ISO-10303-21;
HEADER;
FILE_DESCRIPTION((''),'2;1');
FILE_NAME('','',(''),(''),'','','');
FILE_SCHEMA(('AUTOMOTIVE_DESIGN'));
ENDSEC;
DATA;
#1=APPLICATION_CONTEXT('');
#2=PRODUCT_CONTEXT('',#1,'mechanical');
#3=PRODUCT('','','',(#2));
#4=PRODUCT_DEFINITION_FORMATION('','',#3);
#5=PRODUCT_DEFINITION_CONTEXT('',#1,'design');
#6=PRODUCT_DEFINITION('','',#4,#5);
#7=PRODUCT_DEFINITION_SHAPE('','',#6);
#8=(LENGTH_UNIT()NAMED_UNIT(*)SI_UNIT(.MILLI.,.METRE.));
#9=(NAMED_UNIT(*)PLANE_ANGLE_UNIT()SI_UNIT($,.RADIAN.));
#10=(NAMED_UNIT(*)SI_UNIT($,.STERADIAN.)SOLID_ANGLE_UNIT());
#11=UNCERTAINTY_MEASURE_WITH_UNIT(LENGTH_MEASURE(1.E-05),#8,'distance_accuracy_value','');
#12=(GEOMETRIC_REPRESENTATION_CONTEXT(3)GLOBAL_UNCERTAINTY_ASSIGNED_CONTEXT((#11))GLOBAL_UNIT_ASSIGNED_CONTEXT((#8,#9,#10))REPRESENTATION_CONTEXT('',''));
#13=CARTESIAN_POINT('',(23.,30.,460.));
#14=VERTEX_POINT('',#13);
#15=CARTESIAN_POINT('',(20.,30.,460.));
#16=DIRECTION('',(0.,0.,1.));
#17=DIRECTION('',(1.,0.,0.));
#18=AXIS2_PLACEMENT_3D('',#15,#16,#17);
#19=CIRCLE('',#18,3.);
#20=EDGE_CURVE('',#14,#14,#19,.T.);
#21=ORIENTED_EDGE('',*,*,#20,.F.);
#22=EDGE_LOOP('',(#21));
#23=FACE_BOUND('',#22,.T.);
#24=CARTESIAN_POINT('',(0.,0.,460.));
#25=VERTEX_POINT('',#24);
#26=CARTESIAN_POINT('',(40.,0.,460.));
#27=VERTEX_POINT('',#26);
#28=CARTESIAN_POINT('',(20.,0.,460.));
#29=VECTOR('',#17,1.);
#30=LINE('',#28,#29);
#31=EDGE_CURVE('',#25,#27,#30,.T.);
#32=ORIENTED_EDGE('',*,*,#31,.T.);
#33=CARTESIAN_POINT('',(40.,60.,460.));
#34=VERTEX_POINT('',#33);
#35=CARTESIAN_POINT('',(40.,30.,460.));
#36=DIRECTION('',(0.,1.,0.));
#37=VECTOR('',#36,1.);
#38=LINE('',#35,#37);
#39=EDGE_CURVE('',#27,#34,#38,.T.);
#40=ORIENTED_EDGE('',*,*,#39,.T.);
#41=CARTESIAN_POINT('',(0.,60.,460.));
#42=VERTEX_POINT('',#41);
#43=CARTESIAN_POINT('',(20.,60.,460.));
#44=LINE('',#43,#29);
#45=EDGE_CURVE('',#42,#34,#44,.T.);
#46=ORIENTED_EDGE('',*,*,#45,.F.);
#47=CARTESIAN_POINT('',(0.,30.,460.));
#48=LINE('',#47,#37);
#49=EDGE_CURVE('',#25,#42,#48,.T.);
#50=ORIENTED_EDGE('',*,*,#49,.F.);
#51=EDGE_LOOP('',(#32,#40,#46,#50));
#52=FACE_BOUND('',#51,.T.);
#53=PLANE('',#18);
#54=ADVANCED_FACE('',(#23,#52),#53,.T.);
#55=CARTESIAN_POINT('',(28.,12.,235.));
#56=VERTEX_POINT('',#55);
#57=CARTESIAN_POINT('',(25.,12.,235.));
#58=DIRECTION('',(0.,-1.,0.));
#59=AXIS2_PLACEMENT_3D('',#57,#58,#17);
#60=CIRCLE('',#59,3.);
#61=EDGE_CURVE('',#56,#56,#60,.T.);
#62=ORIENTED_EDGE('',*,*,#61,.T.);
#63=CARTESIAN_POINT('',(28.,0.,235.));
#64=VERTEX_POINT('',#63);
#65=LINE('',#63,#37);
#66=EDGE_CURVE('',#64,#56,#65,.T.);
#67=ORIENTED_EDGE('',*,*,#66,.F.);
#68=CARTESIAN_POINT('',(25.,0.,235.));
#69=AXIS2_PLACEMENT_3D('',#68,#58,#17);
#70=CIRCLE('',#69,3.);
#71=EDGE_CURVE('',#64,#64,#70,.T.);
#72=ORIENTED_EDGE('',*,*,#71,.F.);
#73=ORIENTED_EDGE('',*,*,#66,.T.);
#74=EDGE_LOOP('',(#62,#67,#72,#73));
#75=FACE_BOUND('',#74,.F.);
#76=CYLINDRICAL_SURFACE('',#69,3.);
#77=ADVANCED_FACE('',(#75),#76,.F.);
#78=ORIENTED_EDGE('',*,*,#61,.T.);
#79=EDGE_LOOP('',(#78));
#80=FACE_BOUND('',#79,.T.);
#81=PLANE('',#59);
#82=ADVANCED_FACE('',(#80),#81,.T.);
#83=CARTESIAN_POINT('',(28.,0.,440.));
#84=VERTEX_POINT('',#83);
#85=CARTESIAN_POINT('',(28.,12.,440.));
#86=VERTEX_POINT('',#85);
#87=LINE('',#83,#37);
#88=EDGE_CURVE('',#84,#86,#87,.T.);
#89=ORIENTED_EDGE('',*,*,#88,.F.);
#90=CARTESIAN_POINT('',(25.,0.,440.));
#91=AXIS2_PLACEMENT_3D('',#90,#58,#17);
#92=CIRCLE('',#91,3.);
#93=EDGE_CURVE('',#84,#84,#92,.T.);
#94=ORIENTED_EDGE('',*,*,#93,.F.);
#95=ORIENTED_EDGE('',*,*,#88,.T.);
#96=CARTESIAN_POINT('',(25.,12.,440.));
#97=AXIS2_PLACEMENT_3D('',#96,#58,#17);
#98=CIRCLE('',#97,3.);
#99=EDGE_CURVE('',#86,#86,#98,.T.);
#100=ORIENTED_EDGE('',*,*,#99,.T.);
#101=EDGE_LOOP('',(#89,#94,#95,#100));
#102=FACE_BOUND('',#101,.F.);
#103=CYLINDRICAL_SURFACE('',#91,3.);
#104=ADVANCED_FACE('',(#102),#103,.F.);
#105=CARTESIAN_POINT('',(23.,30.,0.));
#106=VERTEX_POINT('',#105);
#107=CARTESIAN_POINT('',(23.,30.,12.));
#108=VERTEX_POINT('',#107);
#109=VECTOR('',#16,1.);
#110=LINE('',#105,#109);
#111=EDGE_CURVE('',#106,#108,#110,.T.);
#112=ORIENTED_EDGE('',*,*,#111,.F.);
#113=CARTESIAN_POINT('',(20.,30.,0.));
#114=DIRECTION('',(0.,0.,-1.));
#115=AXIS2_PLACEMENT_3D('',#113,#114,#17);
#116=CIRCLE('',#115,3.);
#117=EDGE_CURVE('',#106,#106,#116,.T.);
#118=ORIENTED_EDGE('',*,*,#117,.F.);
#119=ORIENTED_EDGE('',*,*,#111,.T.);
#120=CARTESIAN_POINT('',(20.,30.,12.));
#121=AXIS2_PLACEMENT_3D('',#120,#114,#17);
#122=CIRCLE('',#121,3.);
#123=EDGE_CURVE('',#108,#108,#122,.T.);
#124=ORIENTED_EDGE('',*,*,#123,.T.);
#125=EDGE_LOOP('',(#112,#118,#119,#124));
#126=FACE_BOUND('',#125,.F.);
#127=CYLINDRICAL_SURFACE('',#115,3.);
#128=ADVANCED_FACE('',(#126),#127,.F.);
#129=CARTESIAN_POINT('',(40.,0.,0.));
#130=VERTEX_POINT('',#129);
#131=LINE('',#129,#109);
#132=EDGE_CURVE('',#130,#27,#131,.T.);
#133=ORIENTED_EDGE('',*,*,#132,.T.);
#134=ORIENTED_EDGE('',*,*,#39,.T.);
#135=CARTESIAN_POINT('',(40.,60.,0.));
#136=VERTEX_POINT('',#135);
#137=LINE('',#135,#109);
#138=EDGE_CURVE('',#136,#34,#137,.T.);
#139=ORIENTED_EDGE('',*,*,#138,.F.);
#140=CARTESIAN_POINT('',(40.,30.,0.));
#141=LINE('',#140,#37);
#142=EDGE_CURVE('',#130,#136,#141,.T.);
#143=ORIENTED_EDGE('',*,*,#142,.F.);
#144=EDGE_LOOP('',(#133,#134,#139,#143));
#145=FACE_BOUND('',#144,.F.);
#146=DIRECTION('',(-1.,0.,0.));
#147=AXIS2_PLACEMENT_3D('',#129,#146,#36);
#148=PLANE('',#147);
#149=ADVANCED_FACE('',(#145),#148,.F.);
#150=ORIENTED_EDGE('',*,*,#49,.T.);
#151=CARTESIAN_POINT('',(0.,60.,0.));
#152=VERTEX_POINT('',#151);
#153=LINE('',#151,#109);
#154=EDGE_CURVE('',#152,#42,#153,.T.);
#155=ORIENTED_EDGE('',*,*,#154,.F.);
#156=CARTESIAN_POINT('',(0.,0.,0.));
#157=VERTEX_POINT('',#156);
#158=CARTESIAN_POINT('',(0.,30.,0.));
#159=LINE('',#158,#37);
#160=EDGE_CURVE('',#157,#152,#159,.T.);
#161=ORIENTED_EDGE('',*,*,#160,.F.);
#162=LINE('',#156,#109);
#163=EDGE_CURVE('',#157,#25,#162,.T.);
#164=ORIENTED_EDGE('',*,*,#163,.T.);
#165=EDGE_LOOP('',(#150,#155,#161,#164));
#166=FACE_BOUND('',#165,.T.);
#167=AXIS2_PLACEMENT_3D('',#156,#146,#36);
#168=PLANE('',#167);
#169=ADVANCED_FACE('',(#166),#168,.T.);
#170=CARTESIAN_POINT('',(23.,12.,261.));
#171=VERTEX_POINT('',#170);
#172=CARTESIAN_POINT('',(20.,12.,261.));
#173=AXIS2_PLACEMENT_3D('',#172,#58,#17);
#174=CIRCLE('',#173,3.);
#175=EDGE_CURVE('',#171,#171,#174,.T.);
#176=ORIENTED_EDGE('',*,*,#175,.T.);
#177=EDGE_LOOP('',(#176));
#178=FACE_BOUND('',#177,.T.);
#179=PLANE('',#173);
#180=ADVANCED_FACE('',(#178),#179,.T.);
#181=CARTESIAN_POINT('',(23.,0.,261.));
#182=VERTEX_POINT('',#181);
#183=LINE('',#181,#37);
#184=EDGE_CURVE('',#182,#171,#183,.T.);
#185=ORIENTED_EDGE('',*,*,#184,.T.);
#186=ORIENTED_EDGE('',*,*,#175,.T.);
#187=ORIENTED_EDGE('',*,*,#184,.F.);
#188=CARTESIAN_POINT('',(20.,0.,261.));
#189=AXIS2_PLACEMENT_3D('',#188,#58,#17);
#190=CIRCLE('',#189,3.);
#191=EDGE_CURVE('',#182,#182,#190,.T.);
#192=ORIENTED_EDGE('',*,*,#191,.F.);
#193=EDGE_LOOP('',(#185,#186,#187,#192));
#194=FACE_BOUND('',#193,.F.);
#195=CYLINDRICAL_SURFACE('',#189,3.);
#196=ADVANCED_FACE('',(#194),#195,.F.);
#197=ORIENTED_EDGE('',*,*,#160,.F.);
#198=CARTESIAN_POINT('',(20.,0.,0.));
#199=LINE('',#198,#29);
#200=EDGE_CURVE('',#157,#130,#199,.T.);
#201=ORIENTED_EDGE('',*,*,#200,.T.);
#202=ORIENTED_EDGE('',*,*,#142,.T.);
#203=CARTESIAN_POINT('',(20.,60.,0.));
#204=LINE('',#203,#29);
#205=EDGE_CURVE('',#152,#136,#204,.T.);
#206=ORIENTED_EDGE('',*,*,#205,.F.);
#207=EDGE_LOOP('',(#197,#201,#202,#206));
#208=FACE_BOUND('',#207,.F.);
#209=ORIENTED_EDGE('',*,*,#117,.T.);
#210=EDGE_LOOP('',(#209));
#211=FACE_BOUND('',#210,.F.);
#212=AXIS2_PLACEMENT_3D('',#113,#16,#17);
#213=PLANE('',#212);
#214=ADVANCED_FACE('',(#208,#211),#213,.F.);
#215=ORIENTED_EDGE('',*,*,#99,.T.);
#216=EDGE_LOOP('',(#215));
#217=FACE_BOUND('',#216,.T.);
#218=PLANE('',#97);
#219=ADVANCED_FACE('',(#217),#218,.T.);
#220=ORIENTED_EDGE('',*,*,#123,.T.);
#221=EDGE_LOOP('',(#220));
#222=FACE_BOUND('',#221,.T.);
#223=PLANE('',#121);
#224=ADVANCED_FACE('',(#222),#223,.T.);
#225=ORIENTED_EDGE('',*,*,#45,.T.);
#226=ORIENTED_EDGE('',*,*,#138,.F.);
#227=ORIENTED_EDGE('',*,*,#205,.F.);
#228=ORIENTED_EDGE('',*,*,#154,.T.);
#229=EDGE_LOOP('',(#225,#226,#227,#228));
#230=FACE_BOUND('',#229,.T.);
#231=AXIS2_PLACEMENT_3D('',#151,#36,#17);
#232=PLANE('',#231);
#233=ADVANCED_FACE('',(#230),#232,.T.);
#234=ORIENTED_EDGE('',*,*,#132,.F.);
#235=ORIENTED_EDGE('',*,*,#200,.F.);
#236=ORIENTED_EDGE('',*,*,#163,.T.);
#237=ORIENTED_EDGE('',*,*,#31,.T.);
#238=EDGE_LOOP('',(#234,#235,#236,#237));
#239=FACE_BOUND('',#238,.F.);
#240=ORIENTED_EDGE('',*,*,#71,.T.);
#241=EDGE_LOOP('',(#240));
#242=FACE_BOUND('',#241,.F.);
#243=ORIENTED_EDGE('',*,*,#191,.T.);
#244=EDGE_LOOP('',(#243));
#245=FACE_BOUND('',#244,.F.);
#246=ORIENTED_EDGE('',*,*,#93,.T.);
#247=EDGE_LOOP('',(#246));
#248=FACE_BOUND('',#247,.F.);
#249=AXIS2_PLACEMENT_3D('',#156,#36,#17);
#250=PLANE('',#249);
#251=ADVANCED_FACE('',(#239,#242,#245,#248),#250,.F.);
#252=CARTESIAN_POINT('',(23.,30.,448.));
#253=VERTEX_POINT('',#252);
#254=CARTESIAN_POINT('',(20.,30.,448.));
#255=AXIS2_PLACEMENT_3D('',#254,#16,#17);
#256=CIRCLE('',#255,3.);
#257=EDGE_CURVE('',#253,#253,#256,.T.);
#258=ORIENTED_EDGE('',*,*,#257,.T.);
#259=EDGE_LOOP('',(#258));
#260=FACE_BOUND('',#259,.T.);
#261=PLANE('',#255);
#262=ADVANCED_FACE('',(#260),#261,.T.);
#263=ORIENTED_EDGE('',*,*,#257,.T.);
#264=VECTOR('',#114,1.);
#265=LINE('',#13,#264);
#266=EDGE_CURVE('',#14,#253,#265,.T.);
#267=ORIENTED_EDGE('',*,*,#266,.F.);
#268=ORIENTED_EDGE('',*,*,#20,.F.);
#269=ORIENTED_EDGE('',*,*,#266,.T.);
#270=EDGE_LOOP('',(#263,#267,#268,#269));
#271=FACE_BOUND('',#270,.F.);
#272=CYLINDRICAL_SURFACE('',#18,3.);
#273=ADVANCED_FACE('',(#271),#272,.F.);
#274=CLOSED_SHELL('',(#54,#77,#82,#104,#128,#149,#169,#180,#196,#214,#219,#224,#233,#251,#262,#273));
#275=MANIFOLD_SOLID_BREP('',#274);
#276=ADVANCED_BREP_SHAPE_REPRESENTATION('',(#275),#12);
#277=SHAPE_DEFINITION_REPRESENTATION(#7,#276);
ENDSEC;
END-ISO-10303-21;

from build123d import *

# Parameters (mm, degrees)
F0_W      = 40
F0_H      = 60
F1_DEPTH  = 460
F2_R      = 3
F3_DEPTH  = 12
F4_R      = 3
F5_DEPTH  = 12
F6_R      = 3
F7_DEPTH  = 12
F8_R      = 3
F9_DEPTH  = 12
F10_R     = 3
F11_DEPTH = 12


with BuildPart() as f1:
    # F0 (on Top) → F1 (new body)
    with BuildSketch(Plane.XY):
        with Locations((20, 30)):
            Rectangle(F0_W, F0_H)
    extrude(amount=F1_DEPTH)

    # F2 (on face) → F3 (cut)
    with BuildSketch(Plane(origin=(0, 0, 0), x_dir=(1, 0, 0), z_dir=(0, 0, -1))):
        with Locations((20, -30)):
            Circle(F2_R)
    extrude(amount=-F3_DEPTH, mode=Mode.SUBTRACT)

    # F4 (on face) → F5 (cut)
    with BuildSketch(Plane.XY.offset(460)):
        with Locations((20, 30)):
            Circle(F4_R)
    extrude(amount=-F5_DEPTH, mode=Mode.SUBTRACT)

    # F6 (on face) → F7 (cut)
    with BuildSketch(Plane.XZ):
        with Locations((20, 261)):
            Circle(F6_R)
    extrude(amount=-F7_DEPTH, mode=Mode.SUBTRACT)

    # F8 (on face) → F9 (cut)
    with BuildSketch(Plane.XZ):
        with Locations((25, 440)):
            Circle(F8_R)
    extrude(amount=-F9_DEPTH, mode=Mode.SUBTRACT)

    # F10 (on face) → F11 (cut)
    with BuildSketch(Plane.XZ):
        with Locations((25, 235)):
            Circle(F10_R)
    extrude(amount=-F11_DEPTH, mode=Mode.SUBTRACT)


solid = f1.part
